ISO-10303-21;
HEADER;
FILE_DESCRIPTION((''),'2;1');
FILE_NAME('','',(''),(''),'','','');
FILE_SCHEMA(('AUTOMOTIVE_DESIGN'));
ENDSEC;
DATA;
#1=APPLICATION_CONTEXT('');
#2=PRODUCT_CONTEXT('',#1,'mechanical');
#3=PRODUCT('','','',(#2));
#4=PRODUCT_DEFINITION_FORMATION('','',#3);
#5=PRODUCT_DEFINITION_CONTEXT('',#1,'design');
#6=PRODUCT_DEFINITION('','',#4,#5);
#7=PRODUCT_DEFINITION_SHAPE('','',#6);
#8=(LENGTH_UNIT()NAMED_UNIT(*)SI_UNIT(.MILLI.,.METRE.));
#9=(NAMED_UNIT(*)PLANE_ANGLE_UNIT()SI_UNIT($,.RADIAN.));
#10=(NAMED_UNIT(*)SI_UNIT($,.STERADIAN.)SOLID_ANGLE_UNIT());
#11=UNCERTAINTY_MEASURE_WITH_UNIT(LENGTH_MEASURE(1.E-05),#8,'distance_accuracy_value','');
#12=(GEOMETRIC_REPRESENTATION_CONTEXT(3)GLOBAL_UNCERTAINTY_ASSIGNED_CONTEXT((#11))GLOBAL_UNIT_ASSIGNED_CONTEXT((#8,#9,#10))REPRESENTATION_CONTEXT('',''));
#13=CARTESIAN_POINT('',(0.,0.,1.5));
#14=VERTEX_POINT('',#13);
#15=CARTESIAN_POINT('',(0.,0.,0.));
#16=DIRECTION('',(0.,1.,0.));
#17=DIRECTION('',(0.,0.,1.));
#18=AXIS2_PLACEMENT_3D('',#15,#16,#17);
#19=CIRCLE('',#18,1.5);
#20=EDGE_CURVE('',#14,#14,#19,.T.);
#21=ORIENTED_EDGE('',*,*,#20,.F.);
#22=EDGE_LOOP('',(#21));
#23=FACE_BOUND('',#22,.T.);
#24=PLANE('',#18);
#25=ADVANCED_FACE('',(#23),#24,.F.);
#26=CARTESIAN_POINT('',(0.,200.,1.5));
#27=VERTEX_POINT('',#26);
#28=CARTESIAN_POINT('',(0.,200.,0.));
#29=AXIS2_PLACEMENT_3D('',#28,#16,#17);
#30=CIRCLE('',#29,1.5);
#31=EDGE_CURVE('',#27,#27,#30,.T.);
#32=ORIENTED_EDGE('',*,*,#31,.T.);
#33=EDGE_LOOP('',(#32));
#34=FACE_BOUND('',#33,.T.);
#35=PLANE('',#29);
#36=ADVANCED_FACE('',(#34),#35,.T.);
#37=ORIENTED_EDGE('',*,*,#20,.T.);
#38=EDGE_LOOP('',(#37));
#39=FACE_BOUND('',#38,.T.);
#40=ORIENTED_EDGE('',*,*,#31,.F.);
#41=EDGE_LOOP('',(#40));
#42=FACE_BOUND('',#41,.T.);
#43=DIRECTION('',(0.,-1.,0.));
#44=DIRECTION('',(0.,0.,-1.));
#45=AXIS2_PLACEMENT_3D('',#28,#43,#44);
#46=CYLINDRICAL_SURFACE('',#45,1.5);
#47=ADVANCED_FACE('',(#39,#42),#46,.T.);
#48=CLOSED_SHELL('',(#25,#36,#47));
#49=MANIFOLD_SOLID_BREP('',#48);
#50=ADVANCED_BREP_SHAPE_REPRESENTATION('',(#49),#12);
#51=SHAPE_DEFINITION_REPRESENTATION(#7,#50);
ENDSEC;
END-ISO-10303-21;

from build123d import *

# Parameters (mm, degrees)
SKETCH1_R           = 1.5
BOSS_EXTRUDE1_DEPTH = 200


with BuildPart() as part:
    # Sketch1 → Boss-Extrude1 (new body)
    with BuildSketch(Plane(origin=(0, 0, 0), x_dir=(1, 0, 0), z_dir=(0, 1, 0))):
        Circle(SKETCH1_R)
    extrude(amount=BOSS_EXTRUDE1_DEPTH)


solid = part.part
